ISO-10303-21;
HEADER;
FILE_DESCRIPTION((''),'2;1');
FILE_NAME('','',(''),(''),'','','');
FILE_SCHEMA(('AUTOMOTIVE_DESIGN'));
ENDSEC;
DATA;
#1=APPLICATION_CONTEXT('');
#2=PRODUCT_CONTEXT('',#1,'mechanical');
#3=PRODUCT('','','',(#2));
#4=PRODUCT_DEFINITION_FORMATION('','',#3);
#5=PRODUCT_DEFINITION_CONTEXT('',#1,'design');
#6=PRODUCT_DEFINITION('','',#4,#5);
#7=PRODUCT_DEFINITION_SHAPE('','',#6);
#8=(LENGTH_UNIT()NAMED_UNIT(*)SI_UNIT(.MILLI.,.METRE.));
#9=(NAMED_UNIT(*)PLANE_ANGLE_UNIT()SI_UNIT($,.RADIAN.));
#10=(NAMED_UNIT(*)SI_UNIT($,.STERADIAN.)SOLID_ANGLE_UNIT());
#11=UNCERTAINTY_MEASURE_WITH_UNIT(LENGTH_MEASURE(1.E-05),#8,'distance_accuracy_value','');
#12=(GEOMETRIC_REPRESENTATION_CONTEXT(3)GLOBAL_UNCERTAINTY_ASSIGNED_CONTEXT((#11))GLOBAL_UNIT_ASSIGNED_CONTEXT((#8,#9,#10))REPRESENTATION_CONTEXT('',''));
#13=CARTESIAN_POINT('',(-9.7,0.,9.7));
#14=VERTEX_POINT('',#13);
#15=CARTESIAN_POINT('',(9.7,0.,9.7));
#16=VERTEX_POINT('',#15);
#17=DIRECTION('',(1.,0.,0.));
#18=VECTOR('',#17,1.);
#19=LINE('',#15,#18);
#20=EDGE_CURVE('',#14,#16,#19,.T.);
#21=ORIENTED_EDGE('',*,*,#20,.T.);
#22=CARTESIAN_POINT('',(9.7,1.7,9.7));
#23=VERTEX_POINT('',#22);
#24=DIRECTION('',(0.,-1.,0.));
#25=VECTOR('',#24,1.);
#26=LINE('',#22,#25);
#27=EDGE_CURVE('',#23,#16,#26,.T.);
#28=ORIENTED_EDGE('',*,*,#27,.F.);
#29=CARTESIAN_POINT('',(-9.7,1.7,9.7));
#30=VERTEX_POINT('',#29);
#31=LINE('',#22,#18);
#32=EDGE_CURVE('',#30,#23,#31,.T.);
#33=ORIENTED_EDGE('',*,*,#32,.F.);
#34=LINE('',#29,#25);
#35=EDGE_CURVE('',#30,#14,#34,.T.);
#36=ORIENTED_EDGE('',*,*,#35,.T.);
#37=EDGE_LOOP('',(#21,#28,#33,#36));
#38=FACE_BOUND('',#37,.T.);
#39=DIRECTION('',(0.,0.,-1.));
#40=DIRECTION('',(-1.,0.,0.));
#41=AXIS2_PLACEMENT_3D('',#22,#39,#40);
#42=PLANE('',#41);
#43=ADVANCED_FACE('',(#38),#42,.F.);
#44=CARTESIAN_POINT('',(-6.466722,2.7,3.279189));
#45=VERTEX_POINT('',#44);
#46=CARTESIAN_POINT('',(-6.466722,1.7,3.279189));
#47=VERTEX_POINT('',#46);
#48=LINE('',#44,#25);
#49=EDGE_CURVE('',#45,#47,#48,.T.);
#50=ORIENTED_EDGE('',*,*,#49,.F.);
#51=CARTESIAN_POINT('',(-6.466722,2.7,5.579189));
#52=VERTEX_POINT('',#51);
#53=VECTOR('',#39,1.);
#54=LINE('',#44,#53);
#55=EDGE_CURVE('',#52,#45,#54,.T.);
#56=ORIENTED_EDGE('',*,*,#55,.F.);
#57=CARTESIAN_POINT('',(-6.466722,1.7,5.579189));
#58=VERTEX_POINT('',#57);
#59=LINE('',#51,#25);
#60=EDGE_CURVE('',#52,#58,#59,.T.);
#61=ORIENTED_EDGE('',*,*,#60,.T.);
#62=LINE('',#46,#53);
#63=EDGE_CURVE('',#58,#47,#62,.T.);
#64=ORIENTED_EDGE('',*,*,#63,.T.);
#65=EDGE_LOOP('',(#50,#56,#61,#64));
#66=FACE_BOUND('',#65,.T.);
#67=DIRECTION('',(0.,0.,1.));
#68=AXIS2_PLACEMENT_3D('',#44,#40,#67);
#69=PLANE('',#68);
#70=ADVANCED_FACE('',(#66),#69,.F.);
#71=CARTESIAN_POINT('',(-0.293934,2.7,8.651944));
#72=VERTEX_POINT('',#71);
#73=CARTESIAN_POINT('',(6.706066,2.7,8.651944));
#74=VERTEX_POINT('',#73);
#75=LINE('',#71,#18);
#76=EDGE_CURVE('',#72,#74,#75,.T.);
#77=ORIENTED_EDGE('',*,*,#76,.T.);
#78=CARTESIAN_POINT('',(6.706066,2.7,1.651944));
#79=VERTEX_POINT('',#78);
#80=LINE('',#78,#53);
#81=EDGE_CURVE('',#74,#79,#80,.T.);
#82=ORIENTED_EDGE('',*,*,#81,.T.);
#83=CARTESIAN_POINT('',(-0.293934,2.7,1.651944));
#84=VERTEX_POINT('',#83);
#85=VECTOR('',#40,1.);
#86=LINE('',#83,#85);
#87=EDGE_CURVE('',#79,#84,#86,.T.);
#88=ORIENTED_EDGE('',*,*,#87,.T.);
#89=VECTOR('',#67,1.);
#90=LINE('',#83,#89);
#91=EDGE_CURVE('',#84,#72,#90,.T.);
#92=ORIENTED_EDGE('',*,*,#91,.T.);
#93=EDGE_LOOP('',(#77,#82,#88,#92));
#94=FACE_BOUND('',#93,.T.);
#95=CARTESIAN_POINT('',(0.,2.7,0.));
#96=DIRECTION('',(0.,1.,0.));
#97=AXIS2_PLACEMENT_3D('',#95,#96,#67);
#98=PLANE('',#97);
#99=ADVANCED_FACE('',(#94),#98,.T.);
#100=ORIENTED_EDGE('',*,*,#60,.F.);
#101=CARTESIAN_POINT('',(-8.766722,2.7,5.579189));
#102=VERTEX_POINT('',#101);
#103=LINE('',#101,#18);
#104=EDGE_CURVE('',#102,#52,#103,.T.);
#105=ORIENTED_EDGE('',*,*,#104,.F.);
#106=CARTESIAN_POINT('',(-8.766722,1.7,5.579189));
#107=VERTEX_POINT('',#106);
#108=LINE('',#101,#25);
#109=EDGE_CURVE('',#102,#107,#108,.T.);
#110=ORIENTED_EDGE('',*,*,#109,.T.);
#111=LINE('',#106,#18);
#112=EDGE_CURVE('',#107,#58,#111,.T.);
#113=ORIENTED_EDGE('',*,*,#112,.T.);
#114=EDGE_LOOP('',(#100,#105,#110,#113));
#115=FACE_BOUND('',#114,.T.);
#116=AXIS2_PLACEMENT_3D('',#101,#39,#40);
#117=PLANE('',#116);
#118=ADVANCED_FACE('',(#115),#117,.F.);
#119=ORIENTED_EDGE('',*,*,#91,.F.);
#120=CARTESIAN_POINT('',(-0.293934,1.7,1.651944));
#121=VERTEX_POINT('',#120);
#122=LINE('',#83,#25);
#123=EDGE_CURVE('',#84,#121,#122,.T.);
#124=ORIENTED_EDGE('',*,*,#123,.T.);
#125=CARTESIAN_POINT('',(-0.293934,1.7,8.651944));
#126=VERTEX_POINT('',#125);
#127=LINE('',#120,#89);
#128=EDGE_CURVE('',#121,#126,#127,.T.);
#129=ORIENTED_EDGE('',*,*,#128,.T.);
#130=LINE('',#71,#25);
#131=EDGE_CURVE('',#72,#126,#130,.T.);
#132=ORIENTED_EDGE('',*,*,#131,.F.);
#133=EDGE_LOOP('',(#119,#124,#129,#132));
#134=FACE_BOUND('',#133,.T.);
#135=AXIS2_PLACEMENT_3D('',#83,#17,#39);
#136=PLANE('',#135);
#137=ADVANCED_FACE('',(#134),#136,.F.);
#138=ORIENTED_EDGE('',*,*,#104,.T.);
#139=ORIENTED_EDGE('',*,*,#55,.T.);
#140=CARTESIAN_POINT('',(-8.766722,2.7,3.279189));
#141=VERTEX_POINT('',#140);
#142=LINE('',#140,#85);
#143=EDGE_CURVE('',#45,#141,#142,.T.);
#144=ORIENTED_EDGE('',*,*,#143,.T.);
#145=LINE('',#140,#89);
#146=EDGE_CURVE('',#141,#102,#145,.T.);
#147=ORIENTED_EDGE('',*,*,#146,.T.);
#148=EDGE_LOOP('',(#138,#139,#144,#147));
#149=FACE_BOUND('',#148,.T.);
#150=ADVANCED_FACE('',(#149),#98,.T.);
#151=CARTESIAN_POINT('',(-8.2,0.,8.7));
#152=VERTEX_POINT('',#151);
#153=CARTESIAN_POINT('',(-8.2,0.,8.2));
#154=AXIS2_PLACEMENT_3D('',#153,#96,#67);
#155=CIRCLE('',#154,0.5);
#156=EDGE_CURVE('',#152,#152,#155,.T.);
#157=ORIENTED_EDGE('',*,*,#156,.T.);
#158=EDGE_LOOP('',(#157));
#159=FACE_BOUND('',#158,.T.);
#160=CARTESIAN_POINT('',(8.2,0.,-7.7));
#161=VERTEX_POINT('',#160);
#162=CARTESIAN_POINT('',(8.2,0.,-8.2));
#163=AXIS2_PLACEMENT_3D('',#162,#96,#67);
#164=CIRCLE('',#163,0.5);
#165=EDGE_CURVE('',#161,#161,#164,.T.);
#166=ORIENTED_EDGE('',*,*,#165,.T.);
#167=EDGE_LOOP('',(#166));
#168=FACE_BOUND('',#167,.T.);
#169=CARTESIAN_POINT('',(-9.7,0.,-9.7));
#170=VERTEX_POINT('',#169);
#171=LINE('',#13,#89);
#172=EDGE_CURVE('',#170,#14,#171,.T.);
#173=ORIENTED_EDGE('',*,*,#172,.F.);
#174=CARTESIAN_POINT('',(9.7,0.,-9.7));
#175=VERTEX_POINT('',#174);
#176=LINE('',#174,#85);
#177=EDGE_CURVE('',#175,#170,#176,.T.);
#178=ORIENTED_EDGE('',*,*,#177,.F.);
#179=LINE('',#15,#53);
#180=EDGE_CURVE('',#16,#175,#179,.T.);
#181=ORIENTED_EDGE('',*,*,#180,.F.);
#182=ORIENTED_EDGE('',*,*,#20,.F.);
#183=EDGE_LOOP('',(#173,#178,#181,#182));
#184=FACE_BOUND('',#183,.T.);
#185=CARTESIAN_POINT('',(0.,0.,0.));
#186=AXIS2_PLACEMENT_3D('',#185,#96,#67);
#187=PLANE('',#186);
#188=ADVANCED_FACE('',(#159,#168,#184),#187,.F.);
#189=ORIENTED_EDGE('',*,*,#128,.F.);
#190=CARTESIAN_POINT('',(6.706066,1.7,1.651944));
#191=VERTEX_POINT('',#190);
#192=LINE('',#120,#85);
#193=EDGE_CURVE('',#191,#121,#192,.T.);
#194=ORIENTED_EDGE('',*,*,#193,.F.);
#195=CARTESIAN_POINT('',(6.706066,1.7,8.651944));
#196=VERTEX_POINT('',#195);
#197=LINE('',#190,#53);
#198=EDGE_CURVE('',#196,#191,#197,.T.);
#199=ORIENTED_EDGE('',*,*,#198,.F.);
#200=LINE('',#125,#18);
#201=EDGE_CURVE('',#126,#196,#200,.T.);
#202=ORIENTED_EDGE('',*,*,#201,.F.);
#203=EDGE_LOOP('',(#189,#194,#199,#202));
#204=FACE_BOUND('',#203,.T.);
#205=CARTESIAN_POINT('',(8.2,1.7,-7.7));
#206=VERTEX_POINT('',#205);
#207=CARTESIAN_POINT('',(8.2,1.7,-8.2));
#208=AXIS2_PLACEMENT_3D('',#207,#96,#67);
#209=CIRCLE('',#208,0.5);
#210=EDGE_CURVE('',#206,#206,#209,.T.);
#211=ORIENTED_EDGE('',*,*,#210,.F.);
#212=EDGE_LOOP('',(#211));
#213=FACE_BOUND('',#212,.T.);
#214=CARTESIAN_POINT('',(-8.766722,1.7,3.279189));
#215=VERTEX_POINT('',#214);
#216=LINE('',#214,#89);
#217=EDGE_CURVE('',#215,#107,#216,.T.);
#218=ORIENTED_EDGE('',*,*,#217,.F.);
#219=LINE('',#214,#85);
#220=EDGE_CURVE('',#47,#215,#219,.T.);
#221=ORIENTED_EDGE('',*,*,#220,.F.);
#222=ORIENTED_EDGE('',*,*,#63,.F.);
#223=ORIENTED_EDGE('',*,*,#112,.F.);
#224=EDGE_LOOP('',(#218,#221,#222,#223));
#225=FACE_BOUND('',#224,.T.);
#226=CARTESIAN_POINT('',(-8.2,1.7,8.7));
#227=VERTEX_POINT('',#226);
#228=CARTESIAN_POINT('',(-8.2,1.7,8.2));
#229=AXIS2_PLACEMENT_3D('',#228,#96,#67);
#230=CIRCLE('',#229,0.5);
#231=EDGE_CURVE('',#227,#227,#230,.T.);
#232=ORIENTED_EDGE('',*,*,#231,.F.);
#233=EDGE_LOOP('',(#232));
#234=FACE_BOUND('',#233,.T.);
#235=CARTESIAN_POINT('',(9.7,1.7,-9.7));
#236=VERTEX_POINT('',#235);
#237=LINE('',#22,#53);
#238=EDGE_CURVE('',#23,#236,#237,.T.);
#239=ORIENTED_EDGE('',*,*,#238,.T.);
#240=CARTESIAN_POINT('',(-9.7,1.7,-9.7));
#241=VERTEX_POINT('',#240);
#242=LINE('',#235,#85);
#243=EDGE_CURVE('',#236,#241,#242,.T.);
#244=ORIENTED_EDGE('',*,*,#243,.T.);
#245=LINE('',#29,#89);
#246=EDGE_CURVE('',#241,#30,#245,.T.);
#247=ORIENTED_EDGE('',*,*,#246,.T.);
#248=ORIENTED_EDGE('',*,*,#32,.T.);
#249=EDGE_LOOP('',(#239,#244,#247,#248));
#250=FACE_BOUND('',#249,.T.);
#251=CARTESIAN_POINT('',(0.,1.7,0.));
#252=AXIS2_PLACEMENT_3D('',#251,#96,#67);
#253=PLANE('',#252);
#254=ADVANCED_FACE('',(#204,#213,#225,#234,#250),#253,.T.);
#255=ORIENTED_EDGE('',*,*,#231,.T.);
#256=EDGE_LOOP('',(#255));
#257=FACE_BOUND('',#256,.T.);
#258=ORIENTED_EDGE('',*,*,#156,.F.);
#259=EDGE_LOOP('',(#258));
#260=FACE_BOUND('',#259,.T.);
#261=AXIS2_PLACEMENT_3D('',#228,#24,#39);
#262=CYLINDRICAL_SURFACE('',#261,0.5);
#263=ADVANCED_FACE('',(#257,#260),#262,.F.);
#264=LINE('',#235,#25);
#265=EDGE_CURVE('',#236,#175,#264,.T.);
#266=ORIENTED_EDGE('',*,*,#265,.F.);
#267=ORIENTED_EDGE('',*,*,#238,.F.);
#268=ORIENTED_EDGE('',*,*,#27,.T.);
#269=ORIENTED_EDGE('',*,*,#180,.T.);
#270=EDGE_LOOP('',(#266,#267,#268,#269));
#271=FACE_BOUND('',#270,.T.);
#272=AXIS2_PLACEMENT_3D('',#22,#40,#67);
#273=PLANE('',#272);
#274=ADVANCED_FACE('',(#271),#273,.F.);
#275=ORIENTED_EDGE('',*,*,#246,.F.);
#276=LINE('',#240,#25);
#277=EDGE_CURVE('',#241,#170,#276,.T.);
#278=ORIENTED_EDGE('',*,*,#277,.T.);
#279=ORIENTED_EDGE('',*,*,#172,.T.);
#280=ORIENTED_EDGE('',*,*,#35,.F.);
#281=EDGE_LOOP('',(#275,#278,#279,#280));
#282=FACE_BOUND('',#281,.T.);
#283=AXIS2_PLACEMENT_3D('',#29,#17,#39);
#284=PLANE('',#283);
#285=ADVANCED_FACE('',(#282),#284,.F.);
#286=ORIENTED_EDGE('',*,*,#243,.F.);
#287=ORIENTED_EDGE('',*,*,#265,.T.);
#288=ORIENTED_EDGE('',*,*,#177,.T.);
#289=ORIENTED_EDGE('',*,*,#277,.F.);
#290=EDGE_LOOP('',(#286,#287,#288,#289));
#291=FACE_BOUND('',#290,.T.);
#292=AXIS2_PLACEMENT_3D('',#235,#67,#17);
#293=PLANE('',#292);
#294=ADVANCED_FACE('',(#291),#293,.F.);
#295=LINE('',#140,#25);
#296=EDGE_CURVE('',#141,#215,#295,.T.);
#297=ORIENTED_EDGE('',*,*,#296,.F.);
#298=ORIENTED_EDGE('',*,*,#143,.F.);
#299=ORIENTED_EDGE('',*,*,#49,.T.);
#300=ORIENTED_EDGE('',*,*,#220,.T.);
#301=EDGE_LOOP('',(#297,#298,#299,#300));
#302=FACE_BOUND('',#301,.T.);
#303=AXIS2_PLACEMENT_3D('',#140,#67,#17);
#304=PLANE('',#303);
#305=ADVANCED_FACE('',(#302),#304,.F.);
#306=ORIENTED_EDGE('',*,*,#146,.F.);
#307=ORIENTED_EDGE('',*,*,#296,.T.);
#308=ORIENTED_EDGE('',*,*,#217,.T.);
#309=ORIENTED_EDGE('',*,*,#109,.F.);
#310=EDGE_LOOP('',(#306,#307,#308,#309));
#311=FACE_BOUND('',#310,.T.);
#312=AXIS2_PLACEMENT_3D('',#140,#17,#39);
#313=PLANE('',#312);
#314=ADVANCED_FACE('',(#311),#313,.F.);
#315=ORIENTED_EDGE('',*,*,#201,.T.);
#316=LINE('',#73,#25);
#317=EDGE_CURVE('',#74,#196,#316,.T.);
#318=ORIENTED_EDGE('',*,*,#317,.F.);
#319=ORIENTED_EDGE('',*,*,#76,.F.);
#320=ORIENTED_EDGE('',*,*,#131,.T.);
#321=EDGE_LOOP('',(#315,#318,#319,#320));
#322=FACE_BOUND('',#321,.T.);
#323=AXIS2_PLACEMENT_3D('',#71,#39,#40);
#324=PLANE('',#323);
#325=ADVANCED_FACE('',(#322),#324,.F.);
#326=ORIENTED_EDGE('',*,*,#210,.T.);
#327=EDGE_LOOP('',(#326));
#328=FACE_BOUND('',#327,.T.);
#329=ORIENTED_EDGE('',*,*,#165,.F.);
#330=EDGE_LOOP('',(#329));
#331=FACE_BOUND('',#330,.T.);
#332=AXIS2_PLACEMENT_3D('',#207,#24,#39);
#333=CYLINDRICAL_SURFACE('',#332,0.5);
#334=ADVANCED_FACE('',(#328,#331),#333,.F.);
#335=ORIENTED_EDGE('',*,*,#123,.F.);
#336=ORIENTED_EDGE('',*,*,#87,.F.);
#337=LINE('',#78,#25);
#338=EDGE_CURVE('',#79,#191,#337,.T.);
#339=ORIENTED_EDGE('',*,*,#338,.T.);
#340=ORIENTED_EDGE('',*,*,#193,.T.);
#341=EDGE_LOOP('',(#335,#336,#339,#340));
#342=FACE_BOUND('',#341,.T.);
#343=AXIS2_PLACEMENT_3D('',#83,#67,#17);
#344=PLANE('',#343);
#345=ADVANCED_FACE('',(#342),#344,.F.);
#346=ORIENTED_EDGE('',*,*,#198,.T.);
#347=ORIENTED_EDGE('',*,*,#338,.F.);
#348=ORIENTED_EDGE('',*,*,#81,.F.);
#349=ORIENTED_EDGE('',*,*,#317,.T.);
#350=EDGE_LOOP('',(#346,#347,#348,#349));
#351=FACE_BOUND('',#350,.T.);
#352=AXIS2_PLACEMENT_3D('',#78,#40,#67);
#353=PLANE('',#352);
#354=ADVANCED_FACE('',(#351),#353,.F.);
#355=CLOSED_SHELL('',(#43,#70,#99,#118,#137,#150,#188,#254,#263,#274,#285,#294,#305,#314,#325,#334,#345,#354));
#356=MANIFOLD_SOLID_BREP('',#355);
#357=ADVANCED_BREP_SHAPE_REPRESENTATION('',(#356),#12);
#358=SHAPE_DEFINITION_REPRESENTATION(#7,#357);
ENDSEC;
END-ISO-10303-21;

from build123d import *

# Parameters (mm, degrees)
SKETCH1_W           = 19.4
SKETCH1_H           = 19.4
SKETCH1_R           = 0.5
BOSS_EXTRUDE1_DEPTH = 1.7
SKETCH2_W           = 7
SKETCH2_H           = 7
SKETCH2_W_2         = 2.3
SKETCH2_H_2         = 2.3
BOSS_EXTRUDE2_DEPTH = 1


with BuildPart() as part:
    # Sketch1 → Boss-Extrude1 (new body)
    with BuildSketch(Plane(origin=(0, 0, 0), x_dir=(1, 0, 0), z_dir=(0, 1, 0))):
        Rectangle(SKETCH1_W, SKETCH1_H)
        with Locations(Location((-8.2, -8.2, 0), (0, 0, 270))):
            Circle(SKETCH1_R, mode=Mode.SUBTRACT)
        with Locations(Location((8.2, 8.2, 0), (0, 0, 270))):
            Circle(SKETCH1_R, mode=Mode.SUBTRACT)
    extrude(amount=BOSS_EXTRUDE1_DEPTH)

    # Sketch2 → Boss-Extrude2 (add)
    with BuildSketch(Plane(origin=(0, 1.7, 0), x_dir=(1, 0, 0), z_dir=(0, 1, 0))):
        with Locations((3.206065648, -5.151943642)):
            Rectangle(SKETCH2_W, SKETCH2_H)
        with Locations((-7.616722435, -4.429188959)):
            Rectangle(SKETCH2_W_2, SKETCH2_H_2)
    extrude(amount=BOSS_EXTRUDE2_DEPTH)


solid = part.part
